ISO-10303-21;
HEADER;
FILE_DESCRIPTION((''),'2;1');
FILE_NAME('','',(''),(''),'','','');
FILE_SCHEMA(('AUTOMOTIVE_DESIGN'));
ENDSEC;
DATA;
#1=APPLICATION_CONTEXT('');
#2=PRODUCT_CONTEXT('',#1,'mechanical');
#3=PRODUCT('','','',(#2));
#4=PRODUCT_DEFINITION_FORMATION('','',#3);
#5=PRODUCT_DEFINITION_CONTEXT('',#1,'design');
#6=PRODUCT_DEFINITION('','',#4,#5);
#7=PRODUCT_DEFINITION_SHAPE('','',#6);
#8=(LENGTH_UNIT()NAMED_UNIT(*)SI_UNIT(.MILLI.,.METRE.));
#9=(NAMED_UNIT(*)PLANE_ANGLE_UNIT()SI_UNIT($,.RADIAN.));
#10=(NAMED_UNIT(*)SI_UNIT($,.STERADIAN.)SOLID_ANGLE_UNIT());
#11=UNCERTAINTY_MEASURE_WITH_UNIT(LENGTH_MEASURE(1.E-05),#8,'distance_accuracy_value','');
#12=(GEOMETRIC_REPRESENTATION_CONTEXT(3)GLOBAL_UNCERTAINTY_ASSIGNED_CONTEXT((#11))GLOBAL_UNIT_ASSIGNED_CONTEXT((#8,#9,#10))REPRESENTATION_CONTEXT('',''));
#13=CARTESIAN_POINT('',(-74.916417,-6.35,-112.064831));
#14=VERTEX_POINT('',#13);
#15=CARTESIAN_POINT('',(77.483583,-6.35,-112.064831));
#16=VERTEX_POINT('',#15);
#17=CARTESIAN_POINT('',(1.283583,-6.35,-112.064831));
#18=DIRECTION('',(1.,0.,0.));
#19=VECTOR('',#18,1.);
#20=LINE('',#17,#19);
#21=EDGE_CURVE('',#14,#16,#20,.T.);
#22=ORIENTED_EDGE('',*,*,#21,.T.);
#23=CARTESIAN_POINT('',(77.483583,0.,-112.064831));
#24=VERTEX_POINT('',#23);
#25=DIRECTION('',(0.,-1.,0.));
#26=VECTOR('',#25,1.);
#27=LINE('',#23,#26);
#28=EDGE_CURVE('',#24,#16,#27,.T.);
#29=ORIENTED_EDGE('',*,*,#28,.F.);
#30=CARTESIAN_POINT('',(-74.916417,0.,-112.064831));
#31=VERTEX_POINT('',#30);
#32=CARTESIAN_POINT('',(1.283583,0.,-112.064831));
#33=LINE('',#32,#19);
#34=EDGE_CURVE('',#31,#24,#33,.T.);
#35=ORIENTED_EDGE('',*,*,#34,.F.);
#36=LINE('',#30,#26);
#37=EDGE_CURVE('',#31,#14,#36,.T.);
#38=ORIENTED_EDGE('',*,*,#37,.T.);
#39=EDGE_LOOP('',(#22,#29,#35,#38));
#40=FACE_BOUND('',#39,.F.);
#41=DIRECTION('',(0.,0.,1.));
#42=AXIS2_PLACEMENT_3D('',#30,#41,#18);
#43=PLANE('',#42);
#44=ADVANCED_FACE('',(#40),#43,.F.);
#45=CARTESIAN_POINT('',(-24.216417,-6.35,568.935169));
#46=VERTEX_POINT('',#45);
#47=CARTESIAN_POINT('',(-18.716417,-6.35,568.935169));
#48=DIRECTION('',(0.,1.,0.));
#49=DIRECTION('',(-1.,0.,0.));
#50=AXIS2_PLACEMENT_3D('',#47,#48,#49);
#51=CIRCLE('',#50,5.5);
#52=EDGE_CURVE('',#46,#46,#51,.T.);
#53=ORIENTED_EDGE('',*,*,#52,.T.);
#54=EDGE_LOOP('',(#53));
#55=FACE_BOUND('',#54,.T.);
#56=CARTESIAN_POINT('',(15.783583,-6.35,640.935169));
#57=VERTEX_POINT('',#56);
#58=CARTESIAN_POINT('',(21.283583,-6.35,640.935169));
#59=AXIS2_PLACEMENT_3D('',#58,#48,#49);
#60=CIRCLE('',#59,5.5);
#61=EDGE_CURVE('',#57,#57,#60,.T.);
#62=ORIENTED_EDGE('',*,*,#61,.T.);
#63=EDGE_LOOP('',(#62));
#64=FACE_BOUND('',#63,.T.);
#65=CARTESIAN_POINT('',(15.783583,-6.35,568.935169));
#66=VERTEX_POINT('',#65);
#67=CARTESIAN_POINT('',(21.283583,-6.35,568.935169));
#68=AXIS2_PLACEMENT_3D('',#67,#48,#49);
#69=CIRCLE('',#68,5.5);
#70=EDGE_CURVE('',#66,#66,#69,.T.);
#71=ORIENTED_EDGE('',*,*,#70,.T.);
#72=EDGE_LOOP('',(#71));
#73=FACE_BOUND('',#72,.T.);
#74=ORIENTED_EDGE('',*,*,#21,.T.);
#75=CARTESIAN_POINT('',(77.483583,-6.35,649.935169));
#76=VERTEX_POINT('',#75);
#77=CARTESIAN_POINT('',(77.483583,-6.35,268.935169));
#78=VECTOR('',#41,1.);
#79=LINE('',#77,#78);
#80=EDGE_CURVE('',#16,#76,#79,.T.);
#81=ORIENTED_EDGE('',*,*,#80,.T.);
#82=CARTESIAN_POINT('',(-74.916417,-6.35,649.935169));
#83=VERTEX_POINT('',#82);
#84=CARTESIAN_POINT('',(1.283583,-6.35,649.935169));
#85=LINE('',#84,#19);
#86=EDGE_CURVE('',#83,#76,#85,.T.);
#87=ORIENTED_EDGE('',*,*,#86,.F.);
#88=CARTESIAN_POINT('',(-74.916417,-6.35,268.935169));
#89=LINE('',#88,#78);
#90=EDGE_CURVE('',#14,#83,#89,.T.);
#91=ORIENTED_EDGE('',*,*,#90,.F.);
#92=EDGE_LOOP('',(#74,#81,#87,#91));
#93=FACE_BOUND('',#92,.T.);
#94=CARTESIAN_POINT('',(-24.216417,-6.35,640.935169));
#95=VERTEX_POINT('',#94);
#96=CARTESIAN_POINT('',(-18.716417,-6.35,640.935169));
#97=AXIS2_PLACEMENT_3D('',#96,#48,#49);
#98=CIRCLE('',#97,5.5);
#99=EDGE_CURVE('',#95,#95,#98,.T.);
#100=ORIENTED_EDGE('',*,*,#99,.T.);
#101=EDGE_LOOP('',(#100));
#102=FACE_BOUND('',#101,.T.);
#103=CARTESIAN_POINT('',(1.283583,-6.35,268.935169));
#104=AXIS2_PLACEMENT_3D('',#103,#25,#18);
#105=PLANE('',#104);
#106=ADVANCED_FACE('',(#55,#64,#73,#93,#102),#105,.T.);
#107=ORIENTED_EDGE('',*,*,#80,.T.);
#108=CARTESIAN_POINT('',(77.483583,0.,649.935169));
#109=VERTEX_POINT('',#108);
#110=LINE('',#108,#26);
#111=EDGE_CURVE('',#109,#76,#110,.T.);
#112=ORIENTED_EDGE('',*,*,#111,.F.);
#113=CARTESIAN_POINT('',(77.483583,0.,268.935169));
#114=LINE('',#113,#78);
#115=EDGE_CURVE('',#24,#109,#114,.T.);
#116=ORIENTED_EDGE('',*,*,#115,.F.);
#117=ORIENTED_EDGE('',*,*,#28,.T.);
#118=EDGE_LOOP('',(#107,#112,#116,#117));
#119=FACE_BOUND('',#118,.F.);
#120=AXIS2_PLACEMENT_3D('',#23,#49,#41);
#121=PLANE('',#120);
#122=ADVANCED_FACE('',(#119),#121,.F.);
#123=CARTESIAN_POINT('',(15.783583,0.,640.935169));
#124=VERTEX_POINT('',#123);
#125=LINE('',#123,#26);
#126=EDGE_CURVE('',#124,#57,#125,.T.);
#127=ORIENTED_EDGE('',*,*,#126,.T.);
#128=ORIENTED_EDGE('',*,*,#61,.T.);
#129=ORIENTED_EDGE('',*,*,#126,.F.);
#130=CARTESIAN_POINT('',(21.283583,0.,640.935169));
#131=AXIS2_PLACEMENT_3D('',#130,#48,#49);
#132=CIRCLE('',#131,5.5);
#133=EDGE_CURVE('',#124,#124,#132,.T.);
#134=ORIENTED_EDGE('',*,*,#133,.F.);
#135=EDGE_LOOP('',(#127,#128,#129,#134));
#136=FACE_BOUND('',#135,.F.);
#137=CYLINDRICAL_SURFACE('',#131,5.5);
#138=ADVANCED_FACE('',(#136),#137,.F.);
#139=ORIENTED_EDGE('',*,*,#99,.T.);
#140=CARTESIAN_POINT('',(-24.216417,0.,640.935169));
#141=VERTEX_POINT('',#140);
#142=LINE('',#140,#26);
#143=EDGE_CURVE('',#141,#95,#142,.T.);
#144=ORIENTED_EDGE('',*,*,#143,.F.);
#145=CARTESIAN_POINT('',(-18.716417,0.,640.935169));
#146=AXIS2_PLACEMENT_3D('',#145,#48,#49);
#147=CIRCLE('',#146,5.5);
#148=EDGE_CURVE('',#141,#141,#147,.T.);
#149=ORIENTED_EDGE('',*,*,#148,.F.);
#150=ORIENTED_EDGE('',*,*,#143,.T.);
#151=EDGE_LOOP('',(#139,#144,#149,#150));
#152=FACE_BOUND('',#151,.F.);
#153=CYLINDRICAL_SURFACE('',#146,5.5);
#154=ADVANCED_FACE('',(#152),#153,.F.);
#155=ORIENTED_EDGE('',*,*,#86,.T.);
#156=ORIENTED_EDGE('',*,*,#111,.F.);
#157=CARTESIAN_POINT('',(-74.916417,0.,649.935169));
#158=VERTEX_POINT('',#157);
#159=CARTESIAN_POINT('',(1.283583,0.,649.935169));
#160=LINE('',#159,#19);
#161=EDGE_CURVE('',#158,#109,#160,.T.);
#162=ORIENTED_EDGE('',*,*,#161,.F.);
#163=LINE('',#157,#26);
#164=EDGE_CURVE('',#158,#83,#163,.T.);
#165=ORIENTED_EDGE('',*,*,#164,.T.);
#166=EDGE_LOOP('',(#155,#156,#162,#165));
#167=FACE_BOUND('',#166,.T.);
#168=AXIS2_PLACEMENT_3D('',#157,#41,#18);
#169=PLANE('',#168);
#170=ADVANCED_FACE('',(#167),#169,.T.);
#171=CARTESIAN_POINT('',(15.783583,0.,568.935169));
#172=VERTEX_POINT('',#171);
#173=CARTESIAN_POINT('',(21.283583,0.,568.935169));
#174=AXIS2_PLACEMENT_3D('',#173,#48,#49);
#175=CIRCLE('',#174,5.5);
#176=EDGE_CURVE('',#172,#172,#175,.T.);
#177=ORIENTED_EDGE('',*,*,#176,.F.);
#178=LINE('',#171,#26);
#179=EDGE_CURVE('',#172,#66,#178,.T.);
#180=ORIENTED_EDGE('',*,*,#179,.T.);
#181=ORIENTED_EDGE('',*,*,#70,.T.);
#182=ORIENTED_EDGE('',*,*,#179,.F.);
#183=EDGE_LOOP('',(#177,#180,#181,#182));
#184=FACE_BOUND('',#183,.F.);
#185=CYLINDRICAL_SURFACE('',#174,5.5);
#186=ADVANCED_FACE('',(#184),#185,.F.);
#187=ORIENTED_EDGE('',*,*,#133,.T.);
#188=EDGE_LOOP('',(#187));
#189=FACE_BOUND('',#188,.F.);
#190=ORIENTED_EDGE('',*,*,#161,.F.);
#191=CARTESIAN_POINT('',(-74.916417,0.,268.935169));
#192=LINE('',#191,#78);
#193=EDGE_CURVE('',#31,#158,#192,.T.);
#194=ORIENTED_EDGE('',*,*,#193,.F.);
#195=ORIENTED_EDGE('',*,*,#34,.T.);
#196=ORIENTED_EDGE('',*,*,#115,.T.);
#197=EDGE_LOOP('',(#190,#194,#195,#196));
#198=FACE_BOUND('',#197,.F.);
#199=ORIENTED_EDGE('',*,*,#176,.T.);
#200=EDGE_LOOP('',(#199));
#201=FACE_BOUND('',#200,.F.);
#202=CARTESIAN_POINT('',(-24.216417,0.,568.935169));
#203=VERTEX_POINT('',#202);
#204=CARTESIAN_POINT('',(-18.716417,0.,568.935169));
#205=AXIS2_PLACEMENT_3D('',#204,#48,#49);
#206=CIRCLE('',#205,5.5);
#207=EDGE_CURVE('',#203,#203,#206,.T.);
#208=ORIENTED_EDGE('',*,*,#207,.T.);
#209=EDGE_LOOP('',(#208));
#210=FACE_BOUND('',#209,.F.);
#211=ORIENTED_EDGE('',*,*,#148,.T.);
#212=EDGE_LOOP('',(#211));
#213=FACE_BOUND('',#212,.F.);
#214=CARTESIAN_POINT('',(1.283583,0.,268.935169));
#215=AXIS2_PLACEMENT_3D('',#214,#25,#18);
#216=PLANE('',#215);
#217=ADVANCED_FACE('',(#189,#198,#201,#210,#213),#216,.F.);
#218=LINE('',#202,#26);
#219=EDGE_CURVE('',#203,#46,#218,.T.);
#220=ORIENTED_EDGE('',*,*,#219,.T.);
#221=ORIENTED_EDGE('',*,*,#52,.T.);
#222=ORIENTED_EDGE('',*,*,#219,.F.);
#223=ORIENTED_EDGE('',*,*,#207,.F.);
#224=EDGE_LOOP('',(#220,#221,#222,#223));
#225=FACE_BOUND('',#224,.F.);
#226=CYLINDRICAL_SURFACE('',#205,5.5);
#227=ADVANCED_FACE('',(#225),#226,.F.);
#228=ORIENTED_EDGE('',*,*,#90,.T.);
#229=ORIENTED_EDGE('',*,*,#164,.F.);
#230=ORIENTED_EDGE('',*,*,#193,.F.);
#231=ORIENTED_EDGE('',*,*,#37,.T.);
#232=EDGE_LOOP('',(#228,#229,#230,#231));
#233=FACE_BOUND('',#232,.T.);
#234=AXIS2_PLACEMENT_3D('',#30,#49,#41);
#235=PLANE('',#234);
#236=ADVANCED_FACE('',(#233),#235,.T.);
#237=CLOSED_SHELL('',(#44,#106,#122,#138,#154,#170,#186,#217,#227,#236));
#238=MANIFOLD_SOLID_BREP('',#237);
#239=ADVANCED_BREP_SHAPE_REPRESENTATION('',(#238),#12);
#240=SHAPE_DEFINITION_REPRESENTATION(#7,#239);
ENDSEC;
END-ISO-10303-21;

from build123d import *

# Parameters (mm, degrees)
F0_W     = 152.4
F0_H     = 762
F1_DEPTH = 6.35
F2_R     = 5.5
F3_DEPTH = 6.351


with BuildPart() as f1:
    # F0 (on Front) → F1 (new body)
    with BuildSketch(Plane.XZ):
        with Locations((1.283583, 268.935169)):
            Rectangle(F0_W, F0_H)
    extrude(amount=F1_DEPTH)

    # F2 (on face) → F3 (cut, through all)
    with BuildSketch(Plane(origin=(0, 0, 0), x_dir=(-1, 0, 0), z_dir=(0, 1, 0))):
        with Locations((-21.283583, 640.935169)):
            Circle(F2_R)
        with Locations((18.716417, 640.935169)):
            Circle(F2_R)
        with Locations((-21.283583, 568.935169)):
            Circle(F2_R)
        with Locations((18.716417, 568.935169)):
            Circle(F2_R)
    extrude(amount=-F3_DEPTH, mode=Mode.SUBTRACT)


solid = f1.part
